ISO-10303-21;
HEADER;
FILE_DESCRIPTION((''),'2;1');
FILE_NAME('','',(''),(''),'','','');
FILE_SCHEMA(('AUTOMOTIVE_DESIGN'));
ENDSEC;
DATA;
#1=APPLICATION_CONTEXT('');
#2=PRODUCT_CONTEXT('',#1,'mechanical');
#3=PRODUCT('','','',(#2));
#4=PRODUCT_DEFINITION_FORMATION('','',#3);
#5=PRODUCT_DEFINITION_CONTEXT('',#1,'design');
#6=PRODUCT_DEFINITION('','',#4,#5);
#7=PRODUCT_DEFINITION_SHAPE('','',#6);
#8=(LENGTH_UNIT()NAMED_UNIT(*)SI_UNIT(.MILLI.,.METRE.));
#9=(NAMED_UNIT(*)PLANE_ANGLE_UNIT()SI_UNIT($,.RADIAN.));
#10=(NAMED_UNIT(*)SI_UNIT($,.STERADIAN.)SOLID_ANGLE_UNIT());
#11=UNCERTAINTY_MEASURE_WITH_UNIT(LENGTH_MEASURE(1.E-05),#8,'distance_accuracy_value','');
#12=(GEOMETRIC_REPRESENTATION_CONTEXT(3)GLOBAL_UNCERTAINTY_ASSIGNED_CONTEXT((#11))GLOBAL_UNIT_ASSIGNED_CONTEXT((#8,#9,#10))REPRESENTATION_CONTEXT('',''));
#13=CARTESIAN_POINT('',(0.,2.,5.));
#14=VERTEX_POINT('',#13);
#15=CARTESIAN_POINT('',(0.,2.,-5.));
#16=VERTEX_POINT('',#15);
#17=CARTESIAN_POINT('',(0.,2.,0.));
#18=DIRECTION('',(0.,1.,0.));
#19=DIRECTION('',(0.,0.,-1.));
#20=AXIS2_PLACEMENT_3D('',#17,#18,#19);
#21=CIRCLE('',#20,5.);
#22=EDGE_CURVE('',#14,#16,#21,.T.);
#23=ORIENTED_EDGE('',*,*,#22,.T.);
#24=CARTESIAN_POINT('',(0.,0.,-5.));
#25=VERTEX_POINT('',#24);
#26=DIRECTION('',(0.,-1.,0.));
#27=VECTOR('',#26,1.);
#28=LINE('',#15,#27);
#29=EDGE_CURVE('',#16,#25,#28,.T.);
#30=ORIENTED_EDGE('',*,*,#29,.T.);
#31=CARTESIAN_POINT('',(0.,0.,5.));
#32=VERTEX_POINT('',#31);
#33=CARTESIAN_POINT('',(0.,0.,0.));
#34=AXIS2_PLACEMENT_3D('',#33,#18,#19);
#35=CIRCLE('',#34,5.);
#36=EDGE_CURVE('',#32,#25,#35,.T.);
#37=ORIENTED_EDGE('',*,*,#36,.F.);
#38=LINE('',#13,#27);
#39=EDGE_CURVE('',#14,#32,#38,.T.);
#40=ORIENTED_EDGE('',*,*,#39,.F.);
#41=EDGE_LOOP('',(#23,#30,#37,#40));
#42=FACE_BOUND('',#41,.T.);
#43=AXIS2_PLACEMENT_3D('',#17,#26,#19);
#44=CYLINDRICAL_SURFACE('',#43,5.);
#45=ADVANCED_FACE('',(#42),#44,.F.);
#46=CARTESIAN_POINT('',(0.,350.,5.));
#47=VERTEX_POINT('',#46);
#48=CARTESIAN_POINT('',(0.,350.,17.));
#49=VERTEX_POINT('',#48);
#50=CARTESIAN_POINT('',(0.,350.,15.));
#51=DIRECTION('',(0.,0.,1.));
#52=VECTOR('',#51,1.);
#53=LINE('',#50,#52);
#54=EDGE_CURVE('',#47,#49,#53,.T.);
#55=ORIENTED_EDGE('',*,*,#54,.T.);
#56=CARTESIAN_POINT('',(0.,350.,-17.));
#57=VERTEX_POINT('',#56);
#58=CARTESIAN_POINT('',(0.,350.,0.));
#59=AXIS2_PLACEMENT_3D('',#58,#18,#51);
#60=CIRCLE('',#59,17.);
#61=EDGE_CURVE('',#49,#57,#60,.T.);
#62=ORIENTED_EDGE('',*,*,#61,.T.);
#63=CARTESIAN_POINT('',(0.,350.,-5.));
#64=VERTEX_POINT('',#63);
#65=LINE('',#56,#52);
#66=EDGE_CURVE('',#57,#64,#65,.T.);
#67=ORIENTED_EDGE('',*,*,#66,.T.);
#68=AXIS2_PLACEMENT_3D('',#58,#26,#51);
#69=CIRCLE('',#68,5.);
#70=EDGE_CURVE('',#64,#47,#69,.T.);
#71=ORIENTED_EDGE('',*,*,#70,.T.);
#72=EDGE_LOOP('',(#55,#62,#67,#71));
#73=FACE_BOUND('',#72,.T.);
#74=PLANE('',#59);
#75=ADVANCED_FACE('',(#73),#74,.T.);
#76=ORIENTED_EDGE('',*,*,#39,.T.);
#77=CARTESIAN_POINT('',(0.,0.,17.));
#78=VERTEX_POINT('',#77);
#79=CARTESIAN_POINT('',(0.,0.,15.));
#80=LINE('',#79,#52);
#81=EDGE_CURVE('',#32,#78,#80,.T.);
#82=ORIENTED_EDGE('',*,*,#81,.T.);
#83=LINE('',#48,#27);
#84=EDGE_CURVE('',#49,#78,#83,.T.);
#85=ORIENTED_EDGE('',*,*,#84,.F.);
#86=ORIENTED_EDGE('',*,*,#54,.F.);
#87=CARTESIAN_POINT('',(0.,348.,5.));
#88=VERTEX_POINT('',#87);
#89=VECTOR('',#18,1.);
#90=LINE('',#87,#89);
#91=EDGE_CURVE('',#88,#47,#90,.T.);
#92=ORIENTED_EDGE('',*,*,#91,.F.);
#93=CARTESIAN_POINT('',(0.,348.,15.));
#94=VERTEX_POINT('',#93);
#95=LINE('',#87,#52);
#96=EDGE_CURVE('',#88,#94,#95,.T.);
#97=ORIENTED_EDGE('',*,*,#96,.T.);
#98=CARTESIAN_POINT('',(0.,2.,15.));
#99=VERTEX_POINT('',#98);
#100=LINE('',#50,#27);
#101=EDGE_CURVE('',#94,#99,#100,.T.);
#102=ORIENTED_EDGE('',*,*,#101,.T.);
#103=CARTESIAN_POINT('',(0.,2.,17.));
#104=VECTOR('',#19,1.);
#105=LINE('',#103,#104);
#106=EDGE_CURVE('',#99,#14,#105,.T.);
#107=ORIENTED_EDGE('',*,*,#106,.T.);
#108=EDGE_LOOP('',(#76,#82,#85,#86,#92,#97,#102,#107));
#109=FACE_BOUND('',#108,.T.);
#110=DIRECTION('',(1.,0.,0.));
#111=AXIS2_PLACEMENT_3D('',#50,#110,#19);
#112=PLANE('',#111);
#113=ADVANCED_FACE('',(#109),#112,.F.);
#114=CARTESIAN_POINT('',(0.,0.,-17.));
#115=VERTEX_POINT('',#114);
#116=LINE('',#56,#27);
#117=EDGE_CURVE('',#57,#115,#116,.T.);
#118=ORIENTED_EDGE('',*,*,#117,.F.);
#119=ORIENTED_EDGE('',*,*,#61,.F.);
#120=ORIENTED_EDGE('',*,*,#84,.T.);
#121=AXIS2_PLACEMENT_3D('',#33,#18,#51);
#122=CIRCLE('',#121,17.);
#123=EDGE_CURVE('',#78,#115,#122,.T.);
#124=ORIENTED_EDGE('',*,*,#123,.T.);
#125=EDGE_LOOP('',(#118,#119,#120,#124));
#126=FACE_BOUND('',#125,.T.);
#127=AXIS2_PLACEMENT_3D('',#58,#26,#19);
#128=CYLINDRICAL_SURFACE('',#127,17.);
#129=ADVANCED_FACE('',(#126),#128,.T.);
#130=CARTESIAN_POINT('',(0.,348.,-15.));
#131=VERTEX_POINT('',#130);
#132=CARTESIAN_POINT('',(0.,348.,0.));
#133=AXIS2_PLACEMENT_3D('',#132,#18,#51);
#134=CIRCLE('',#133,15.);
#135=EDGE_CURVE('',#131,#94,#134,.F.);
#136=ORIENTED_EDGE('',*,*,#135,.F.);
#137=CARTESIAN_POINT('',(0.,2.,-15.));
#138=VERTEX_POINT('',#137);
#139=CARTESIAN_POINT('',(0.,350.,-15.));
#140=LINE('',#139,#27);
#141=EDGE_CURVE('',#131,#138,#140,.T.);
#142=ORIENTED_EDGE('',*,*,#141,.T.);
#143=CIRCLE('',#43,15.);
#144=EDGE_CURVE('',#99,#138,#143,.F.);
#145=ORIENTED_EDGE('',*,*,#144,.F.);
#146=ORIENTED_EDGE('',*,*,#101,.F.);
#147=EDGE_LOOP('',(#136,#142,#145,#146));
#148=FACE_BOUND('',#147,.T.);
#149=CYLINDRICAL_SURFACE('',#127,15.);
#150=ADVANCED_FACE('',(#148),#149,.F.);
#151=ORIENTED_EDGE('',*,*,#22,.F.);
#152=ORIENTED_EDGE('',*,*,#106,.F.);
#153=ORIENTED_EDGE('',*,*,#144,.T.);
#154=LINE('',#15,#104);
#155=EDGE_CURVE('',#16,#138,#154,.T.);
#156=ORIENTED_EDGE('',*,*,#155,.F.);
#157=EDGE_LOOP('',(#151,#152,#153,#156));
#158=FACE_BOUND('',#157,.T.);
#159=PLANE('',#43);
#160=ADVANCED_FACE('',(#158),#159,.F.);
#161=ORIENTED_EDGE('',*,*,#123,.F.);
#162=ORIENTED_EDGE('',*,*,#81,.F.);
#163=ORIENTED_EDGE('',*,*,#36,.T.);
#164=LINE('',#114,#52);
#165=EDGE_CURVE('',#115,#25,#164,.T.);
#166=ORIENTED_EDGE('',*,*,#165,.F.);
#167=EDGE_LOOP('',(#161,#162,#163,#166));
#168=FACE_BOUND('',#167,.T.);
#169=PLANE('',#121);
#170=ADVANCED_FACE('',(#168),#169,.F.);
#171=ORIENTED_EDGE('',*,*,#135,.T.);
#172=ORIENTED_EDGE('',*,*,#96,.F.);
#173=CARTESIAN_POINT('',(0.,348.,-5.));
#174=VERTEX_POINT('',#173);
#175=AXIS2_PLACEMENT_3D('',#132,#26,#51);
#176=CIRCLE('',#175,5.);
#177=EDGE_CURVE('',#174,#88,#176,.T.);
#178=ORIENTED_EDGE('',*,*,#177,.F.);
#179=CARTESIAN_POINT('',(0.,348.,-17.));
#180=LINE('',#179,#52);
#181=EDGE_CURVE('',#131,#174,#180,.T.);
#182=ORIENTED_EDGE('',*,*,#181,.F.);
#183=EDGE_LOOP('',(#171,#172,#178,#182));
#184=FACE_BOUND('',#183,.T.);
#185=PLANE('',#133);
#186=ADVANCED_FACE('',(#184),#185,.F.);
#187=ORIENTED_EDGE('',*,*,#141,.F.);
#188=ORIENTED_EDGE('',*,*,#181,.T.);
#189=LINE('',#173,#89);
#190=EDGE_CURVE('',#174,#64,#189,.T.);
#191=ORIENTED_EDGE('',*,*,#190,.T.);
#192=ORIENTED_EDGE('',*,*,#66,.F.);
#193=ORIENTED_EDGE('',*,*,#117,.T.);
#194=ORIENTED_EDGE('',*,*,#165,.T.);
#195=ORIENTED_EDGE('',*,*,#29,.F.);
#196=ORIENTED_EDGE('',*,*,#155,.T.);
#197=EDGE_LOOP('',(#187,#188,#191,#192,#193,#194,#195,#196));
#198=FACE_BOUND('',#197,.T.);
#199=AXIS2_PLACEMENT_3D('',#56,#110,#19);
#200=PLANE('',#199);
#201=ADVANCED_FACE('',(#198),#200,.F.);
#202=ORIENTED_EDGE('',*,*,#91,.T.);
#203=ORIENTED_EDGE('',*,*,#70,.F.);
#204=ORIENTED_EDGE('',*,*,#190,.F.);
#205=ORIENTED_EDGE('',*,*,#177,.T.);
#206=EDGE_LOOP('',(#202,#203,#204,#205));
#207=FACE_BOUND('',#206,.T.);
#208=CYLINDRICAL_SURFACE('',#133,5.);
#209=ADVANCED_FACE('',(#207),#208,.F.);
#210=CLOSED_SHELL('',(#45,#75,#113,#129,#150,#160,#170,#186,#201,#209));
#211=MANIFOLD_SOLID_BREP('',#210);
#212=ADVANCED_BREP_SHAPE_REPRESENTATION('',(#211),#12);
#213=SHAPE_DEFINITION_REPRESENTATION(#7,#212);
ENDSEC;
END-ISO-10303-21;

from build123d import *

# Parameters (mm, degrees)
EXTRUDE_1_DEPTH = 350
EXTRUDE_START   = -2
EXTRUDE_2_DEPTH = 2
EXTRUDE_3_DEPTH = 2


with BuildPart() as part:
    # 草图1 → 凸台-拉伸1 (new body)
    with BuildSketch(Plane(origin=(0, 0, 0), x_dir=(1, 0, 0), z_dir=(0, 1, 0))):
        with BuildLine():
            Line((0, 17), (0, 15))
            ThreePointArc((0, 15), (15, 0), (0, -15))
            Line((0, -15), (0, -17))
            ThreePointArc((0, -17), (17, 0), (0, 17))
        make_face()
    extrude(amount=EXTRUDE_1_DEPTH)

    # 草图2 → 凸台-拉伸2 (add)
    with BuildSketch(Plane(origin=(0, 350, 0), x_dir=(1, 0, 0), z_dir=(0, 1, 0)).offset(EXTRUDE_START)):
        with BuildLine():
            Line((0, 17), (0, 5))
            ThreePointArc((0, 5), (5, 0), (0, -5))
            Line((0, -5), (0, -17))
            ThreePointArc((0, -17), (17, 0), (0, 17))
        make_face()
    extrude(amount=EXTRUDE_2_DEPTH)

    # 草图3 → 凸台-拉伸3 (add)
    with BuildSketch(Plane.XZ):
        with BuildLine():
            Line((0, 17), (0, 5))
            ThreePointArc((0, 5), (5, 0), (0, -5))
            Line((0, -5), (0, -17))
            ThreePointArc((0, -17), (17, 0), (0, 17))
        make_face()
    extrude(amount=-EXTRUDE_3_DEPTH)


solid = part.part
